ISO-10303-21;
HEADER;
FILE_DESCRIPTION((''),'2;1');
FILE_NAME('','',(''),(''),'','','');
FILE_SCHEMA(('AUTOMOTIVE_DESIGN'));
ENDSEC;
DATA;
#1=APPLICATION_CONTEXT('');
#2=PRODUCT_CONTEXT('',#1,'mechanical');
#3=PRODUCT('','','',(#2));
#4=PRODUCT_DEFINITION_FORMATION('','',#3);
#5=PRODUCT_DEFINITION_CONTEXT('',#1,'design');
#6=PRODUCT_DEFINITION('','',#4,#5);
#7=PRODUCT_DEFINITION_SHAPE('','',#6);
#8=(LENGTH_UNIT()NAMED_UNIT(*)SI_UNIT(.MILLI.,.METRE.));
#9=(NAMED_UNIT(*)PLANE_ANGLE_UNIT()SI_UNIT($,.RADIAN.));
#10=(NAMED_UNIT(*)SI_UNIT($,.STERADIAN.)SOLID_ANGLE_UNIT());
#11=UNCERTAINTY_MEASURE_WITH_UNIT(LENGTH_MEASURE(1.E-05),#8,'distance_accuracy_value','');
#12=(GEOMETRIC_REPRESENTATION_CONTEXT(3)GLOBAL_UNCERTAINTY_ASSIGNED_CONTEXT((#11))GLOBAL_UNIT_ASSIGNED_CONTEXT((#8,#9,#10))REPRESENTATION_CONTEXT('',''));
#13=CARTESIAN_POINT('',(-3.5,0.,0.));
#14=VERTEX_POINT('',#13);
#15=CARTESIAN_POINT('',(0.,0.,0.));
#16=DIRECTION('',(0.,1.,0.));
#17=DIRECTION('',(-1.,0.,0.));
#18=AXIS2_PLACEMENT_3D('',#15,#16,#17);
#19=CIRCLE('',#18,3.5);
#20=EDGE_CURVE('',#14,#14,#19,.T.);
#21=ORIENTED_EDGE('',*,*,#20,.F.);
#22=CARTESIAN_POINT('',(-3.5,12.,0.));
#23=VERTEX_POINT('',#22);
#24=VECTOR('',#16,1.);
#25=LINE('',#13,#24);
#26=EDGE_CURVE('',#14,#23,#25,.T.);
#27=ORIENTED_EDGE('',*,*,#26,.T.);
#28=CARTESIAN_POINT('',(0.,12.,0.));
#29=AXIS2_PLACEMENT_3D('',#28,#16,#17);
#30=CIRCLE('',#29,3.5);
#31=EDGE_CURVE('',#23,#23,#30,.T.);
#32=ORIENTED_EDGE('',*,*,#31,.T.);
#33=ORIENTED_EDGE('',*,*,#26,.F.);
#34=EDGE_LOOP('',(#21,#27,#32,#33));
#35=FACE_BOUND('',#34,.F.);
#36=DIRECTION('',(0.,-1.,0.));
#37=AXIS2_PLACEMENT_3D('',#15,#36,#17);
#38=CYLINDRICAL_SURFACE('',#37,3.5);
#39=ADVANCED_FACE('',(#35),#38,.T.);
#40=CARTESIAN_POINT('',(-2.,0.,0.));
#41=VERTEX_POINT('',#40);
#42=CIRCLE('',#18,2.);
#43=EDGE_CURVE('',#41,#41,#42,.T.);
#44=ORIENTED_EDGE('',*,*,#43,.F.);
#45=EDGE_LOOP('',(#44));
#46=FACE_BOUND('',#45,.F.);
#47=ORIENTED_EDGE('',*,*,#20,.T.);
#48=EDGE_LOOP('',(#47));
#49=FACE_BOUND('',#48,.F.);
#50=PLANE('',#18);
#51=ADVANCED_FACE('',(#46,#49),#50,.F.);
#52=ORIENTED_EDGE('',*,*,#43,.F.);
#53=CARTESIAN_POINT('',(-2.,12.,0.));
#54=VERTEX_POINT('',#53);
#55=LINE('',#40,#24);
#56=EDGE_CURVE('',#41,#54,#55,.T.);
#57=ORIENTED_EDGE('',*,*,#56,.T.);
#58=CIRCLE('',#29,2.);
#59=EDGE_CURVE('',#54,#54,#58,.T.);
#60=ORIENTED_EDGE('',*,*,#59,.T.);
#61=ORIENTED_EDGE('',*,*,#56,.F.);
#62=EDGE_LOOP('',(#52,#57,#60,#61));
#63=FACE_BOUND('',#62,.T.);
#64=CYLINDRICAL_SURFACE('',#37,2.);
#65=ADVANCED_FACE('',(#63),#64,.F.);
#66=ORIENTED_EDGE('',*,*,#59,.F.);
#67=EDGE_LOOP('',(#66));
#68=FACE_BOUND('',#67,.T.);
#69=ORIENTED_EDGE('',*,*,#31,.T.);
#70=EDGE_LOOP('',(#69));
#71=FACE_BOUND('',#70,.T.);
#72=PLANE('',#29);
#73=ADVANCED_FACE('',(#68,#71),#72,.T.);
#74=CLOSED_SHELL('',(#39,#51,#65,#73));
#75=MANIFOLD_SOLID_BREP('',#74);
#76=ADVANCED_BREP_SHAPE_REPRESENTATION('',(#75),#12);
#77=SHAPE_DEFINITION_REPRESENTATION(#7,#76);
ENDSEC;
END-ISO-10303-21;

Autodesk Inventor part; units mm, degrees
ref_plane "YZ Plane" through (0, 0, 0) normal (1, 0, 0) x (0, 1, 0)
ref_plane "XZ Plane" through (0, 0, 0) normal (0, 1, 0) x (-1, 0, 0)
ref_plane "XY Plane" through (0, 0, 0) normal (0, 0, 1) x (1, 0, 0)
sketch "Sketch1" plane through (0, 0, 0) normal (0, 1, 0) x (-1, 0, 0)
  circle A0 centre (0, 0) radius 2
  circle A1 centre (0, 0) radius 3.5
  dimension "d0" = 4
  dimension "d1" = 7
extrude "Extrusion1" add sketch "Sketch1" along normal blind 12
properties part number "12mm spacer"
